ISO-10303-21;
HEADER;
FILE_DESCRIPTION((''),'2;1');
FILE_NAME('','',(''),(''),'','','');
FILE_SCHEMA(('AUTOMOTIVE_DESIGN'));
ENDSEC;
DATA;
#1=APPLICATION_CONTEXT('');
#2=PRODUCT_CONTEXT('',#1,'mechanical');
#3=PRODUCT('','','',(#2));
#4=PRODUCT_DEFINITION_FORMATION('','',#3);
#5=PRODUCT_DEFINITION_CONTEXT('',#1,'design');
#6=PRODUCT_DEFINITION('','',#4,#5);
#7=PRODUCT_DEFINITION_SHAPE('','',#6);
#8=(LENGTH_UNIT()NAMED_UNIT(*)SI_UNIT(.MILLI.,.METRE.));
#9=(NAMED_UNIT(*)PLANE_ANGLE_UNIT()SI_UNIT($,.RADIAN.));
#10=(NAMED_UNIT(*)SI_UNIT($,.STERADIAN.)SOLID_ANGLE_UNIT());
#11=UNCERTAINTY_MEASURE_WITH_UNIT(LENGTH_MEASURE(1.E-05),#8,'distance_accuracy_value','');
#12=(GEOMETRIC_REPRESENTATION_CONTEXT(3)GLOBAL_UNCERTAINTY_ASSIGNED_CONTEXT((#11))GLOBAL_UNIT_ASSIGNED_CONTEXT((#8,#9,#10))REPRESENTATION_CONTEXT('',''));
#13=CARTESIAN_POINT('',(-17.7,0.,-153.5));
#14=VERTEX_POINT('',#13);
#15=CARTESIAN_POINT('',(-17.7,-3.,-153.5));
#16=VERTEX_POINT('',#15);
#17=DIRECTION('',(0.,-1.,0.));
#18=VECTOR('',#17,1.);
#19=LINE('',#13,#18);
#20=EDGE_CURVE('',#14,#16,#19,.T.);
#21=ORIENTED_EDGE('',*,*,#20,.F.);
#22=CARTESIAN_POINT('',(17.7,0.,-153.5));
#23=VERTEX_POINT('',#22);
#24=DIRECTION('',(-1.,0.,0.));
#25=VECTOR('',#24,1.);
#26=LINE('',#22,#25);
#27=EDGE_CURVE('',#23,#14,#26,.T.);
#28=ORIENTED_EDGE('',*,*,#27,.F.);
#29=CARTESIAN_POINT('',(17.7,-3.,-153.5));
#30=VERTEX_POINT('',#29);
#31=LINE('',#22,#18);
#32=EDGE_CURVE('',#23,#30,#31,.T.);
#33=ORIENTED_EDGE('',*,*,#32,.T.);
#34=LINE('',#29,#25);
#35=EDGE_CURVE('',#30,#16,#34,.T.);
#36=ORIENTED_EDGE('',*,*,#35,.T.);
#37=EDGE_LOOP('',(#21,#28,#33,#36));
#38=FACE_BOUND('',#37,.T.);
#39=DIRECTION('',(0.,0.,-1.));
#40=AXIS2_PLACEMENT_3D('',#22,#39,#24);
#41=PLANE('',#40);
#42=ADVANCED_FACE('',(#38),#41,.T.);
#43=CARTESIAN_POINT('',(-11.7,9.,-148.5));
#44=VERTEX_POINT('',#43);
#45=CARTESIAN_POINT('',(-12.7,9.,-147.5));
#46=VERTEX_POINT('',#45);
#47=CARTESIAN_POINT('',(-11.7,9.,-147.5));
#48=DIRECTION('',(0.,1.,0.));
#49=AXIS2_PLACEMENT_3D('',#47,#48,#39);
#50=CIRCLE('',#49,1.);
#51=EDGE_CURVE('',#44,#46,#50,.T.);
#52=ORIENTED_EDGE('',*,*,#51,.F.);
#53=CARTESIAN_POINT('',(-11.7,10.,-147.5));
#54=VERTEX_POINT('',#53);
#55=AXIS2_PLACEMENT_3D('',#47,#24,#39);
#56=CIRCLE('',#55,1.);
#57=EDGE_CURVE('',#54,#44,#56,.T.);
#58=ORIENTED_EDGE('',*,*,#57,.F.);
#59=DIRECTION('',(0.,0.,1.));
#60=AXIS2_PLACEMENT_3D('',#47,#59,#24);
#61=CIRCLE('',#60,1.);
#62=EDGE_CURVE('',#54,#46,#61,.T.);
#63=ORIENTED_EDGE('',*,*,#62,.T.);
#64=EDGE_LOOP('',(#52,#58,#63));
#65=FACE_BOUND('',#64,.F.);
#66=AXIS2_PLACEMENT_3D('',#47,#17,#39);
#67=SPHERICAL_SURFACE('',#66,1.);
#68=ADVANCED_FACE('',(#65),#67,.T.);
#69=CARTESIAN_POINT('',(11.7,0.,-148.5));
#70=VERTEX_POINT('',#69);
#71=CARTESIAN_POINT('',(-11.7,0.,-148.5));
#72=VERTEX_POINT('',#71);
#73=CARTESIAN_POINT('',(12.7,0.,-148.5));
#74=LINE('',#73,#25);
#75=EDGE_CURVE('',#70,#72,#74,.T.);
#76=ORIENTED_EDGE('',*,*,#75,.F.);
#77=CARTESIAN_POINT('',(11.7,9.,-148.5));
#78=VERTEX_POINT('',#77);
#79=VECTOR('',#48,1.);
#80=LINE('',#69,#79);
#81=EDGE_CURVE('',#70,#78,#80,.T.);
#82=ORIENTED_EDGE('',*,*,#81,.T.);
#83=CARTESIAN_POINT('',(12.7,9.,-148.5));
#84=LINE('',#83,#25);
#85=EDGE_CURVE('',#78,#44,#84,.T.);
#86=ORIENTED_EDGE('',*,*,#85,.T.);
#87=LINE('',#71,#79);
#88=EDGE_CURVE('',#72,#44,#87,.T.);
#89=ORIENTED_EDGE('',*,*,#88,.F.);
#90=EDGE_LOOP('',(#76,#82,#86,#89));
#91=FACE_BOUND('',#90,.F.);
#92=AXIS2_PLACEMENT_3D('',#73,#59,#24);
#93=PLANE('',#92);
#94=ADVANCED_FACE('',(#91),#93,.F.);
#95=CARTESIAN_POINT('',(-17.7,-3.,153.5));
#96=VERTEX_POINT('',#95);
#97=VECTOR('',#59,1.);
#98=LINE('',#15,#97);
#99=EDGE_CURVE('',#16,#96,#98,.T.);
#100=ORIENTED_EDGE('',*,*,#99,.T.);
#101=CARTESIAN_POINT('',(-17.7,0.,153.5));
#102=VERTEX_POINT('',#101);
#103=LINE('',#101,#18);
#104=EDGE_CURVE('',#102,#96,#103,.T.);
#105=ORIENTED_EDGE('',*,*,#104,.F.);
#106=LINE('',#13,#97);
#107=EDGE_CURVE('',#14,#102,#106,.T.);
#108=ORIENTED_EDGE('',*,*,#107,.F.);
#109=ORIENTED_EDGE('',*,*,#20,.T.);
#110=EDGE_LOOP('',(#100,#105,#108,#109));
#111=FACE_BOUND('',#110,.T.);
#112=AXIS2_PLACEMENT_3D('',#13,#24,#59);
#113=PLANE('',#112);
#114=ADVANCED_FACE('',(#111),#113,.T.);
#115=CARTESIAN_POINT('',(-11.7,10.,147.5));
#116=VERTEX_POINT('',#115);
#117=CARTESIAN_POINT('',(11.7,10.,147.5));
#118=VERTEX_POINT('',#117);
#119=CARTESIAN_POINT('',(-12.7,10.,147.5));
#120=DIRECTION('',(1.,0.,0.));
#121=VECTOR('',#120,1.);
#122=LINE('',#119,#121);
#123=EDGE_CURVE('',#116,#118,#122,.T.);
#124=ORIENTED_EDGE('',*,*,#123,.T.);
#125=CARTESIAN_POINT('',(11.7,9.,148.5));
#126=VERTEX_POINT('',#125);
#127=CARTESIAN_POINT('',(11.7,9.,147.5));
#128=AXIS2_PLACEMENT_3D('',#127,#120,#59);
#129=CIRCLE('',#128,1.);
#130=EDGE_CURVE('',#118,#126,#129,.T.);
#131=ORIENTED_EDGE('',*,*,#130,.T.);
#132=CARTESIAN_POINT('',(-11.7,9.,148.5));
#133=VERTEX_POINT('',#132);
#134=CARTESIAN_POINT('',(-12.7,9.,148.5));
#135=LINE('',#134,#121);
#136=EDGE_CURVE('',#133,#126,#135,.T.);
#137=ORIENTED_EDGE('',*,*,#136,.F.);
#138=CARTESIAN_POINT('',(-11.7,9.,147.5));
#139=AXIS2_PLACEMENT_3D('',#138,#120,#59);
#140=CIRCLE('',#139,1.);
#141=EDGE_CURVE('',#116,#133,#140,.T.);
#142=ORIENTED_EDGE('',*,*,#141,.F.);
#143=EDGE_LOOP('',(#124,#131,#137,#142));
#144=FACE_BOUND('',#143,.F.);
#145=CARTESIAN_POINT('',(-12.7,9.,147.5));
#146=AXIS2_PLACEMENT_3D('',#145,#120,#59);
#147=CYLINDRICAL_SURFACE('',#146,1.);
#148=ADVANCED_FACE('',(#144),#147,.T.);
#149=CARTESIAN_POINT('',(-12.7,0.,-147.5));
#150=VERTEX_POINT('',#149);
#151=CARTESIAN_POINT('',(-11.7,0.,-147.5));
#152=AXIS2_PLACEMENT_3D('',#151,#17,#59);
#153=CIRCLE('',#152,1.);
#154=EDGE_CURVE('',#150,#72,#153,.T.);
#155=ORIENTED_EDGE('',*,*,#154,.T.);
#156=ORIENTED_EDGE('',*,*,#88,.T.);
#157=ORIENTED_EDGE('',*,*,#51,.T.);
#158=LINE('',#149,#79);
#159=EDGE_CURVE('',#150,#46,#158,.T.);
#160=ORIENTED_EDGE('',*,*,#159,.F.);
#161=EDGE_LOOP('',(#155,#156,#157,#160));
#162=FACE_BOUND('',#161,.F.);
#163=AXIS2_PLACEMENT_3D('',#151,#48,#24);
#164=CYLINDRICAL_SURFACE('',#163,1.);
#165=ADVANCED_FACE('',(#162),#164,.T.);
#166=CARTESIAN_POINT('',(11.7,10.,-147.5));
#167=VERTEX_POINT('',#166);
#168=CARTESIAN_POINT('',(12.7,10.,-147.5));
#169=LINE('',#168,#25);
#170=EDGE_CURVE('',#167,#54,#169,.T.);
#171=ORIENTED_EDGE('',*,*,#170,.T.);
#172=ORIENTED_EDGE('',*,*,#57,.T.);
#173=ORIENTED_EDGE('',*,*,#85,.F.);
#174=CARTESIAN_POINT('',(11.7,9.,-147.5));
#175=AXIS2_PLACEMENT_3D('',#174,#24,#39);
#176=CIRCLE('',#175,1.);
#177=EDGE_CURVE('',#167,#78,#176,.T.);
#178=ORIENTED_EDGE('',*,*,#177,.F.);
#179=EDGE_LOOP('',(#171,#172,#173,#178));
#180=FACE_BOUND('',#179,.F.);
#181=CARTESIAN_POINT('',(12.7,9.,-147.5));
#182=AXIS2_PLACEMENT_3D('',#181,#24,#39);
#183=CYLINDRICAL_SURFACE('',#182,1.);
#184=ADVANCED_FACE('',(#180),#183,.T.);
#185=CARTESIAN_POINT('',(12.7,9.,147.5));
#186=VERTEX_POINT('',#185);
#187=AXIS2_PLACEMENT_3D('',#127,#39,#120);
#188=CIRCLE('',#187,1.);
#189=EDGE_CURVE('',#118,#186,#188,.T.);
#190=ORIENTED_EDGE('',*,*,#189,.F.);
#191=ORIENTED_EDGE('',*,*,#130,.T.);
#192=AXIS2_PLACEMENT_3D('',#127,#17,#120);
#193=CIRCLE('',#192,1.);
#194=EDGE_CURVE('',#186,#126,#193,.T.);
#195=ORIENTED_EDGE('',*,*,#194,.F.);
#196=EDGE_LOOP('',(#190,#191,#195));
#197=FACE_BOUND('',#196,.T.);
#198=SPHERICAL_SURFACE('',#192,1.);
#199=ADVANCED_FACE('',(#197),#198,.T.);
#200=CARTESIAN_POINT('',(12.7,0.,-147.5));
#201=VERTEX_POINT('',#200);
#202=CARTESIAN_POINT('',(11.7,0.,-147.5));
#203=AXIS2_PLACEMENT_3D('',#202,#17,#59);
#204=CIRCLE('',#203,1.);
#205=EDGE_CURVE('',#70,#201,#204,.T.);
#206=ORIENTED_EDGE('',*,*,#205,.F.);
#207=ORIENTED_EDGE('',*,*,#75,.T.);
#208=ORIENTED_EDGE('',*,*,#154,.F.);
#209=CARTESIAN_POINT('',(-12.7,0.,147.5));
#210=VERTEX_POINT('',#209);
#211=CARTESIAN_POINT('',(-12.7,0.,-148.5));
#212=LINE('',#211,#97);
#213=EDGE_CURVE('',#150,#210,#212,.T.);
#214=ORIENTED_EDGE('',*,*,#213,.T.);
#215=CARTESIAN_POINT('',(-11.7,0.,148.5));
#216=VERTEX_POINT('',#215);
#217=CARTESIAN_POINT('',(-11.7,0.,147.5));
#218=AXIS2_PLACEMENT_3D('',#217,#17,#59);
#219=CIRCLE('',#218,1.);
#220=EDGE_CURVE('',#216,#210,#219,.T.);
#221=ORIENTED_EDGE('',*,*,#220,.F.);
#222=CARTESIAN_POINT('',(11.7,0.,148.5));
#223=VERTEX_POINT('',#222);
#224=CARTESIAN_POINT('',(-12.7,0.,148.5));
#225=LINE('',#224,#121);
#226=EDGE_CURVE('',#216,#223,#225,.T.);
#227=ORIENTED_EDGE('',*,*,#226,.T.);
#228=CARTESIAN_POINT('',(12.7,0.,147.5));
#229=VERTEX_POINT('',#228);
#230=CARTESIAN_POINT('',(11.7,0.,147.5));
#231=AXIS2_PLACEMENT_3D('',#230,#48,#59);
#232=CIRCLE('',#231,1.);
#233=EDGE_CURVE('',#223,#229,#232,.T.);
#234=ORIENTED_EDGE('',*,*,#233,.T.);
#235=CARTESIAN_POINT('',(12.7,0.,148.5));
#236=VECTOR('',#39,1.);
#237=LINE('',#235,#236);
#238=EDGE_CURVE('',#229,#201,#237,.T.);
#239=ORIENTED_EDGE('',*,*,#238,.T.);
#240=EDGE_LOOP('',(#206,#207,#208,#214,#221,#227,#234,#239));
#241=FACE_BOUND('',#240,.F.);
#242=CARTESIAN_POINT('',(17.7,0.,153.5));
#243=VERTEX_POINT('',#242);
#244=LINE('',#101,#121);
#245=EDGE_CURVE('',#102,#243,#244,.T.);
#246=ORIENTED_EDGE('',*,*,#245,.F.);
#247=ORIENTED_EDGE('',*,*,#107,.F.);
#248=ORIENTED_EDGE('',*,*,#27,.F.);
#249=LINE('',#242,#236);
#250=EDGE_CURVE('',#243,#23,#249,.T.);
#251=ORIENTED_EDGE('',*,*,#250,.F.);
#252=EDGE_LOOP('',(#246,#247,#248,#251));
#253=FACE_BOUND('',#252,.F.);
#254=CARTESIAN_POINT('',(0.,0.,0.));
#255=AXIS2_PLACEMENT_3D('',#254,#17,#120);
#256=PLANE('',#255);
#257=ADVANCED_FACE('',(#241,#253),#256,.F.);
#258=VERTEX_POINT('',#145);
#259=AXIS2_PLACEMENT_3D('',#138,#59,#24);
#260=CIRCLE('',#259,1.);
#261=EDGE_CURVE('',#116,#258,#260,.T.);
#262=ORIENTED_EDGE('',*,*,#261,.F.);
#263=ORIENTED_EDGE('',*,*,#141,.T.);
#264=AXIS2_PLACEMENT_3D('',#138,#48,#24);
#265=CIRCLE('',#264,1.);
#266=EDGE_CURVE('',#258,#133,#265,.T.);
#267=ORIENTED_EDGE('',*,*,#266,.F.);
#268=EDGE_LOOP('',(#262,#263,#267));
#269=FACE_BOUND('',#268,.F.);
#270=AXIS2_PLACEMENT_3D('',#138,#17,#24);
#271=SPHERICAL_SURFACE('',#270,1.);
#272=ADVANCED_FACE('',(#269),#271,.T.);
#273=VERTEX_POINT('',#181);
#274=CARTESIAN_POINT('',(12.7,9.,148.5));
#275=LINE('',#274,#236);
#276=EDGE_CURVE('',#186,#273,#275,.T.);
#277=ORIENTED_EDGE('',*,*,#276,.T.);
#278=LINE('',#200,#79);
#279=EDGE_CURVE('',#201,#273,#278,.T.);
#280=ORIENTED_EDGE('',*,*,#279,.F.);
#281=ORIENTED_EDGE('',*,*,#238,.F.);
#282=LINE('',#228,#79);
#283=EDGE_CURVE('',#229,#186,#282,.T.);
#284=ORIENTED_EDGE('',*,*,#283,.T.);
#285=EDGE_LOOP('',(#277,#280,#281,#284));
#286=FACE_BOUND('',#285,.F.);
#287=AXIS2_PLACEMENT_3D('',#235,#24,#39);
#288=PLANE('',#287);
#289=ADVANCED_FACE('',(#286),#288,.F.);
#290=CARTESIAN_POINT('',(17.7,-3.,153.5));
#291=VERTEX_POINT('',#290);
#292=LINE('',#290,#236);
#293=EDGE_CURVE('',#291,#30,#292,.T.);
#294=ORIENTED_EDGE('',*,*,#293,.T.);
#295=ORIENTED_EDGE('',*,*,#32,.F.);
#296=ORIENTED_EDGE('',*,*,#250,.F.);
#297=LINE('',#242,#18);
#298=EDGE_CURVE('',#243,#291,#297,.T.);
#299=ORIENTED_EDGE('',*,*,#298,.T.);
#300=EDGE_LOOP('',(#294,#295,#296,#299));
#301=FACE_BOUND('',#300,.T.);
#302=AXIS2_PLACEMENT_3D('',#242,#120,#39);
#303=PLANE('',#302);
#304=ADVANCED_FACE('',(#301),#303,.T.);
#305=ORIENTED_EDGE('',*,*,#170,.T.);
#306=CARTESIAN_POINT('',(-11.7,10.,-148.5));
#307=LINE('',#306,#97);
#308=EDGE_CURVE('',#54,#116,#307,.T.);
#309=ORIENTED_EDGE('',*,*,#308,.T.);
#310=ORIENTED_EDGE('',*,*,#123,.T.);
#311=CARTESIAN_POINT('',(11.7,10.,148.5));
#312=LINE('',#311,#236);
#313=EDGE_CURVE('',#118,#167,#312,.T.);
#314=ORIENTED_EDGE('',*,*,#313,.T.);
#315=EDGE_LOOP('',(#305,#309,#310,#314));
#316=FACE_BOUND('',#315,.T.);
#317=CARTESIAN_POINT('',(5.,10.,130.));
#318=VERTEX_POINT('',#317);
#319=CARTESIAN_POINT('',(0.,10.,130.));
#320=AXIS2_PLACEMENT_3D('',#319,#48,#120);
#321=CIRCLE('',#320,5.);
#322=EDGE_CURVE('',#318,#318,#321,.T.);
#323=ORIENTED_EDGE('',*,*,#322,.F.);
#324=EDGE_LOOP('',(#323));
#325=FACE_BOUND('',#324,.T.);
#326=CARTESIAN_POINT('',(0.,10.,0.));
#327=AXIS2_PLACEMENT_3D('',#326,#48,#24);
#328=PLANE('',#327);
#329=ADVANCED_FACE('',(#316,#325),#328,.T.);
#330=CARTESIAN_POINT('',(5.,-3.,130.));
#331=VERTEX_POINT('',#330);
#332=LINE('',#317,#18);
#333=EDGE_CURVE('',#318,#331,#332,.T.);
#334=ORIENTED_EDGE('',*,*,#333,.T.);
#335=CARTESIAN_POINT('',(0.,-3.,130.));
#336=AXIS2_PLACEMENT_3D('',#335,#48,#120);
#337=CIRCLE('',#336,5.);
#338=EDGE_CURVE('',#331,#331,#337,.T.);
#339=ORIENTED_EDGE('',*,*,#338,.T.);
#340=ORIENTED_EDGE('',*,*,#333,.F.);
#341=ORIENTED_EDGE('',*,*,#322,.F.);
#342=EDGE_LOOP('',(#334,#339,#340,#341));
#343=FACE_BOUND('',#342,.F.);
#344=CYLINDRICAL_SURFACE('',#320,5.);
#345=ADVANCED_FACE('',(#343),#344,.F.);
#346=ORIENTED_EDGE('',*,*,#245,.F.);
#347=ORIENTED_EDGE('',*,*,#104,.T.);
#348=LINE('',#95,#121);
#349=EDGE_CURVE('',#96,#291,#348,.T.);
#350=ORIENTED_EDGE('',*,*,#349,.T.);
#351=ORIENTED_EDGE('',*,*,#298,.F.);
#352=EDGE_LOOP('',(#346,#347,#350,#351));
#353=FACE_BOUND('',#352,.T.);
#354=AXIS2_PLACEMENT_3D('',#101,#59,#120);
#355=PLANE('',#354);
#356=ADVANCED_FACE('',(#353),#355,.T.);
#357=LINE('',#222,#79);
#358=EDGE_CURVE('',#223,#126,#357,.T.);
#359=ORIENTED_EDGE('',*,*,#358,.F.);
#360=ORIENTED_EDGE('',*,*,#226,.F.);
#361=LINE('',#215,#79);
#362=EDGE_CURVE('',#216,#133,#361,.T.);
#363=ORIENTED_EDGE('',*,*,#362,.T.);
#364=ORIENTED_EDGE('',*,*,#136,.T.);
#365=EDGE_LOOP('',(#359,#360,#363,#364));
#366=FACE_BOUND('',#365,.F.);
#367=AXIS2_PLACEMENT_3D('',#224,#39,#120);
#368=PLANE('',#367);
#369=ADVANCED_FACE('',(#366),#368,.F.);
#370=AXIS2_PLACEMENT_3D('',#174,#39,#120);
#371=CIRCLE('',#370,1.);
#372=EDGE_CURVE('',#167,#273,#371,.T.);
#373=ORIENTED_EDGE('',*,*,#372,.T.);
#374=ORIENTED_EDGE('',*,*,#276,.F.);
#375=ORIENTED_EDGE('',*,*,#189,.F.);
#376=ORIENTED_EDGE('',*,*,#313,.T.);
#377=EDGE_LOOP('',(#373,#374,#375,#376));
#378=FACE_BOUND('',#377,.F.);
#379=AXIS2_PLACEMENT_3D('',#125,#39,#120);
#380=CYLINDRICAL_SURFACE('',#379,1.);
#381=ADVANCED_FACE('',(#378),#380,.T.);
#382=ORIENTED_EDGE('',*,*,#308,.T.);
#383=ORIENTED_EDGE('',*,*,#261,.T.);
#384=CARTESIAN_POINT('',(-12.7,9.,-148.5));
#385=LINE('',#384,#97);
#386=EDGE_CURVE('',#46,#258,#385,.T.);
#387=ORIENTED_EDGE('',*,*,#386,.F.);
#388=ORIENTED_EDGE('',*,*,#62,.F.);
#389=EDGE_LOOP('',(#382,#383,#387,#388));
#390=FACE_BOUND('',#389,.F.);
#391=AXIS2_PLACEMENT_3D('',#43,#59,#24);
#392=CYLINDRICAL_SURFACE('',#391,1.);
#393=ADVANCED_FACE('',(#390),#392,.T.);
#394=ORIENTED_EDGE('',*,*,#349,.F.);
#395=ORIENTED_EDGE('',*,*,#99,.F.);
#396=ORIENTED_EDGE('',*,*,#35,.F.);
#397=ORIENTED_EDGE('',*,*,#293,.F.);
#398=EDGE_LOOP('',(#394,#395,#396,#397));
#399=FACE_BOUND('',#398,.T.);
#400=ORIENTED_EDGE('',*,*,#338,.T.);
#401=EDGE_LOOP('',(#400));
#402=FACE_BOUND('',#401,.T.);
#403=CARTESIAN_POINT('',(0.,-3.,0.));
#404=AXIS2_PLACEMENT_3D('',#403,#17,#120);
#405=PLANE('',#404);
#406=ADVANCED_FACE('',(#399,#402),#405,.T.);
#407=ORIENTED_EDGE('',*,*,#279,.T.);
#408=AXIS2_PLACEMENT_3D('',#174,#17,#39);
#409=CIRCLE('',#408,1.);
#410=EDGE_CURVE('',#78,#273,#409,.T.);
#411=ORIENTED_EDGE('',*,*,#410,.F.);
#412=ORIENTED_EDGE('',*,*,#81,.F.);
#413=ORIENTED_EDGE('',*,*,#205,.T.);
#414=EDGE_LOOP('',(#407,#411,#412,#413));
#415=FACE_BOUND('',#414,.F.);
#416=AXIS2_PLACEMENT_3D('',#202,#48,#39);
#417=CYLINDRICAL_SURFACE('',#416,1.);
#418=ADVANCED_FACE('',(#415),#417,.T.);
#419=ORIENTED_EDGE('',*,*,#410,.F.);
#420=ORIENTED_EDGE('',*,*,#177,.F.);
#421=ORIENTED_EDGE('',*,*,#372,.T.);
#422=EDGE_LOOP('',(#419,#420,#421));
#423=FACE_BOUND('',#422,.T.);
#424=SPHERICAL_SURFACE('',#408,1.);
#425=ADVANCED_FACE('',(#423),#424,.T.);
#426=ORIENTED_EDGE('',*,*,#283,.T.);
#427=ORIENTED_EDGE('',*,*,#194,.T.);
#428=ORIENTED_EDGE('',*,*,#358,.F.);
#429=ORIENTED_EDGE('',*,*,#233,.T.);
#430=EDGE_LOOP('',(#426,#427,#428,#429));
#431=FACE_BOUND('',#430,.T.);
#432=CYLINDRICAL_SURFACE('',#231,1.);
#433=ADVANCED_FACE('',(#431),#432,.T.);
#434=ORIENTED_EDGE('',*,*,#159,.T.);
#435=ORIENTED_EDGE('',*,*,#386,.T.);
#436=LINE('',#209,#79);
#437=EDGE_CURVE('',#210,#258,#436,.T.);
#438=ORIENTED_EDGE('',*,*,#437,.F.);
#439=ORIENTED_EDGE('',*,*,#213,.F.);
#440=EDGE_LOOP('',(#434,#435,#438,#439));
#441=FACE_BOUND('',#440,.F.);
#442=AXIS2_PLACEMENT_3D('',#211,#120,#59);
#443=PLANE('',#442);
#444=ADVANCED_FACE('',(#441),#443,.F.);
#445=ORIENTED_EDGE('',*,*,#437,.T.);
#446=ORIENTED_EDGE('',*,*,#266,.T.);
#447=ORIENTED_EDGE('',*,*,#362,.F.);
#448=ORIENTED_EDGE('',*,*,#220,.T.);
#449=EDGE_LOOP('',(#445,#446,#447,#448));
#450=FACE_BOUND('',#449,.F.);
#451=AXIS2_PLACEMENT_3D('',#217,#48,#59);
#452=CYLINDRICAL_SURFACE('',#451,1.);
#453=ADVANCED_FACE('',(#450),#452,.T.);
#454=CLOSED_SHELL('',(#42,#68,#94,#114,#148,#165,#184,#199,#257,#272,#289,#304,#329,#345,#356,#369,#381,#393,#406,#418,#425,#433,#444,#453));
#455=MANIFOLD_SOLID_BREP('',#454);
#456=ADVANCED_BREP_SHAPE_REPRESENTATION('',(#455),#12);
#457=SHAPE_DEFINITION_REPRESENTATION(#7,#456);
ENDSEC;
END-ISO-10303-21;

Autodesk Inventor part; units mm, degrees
ref_plane "YZ Plane" through (0, 0, 0) normal (1, 0, 0) x (0, 1, 0)
ref_plane "XZ Plane" through (0, 0, 0) normal (0, 1, 0) x (-1, 0, 0)
ref_plane "XY Plane" through (0, 0, 0) normal (0, 0, 1) x (1, 0, 0)
sketch "Sketch1" plane through (0, 0, 0) normal (0, 1, 0) x (-1, 0, 0)
  line L0 (-12.7, -148.5) -> (12.7, -148.5)
  line L1 (12.7, -148.5) -> (12.7, 148.5)
  line L2 (12.7, 148.5) -> (-12.7, 148.5)
  line L3 (-12.7, 148.5) -> (-12.7, -148.5)
  line L4 (-12.7, -148.5) -> (12.7, 148.5) construction
  line L5 (12.7, -148.5) -> (-12.7, 148.5) construction
  point P0 (0, 0)
  dimension "d0" = 25.4
  dimension "d1" = 297
extrude "Extrusion1" add sketch "Sketch1" along normal blind 10
sketch "Sketch2" plane through (0, 0, 0) normal (0, -1, 0) x (1, 0, 0)
  line L0 (12.7, -148.5) -> (-12.7, -148.5) projected
  line L1 (12.7, 148.5) -> (12.7, -148.5) projected
  line L2 (-12.7, 148.5) -> (12.7, 148.5) projected
  line L3 (-12.7, -148.5) -> (-12.7, 148.5) projected
  line L4 (17.7, -153.5) -> (-17.7, -153.5)
  line L5 (-17.7, -153.5) -> (-17.7, 153.5)
  line L6 (-17.7, 153.5) -> (17.7, 153.5)
  line L7 (17.7, 153.5) -> (17.7, -153.5)
  point P0 (0, 0)
  dimension "d4" = 5
extrude "Extrusion2" add sketch "Sketch2" along normal blind 3 contours L0 L3 L2 L1 | L4 L5 L6 L7
sketch "Sketch3" plane through (0, 10, 0) normal (0, 1, 0) x (1, 0, 0)
  line L0 (12.7, 148.5) -> (-12.7, 148.5) projected
  line L1 (-12.7, 148.5) -> (-12.7, -148.5) projected
  line L2 (-12.7, -148.5) -> (12.7, -148.5) projected
  line L3 (12.7, -148.5) -> (12.7, 148.5) projected
  circle A0 centre (0, -130) radius 5
  point P0 (0, 0)
  dimension "d7" = 10
  dimension "d8" = 130
extrude "Extrusion3" cut sketch "Sketch3" against normal through all contours A0
fillet "Fillet1" radius 1 8 edges at (12.7, 5, 148.5) (-12.7, 5, 148.5) (12.7, 5, -148.5) (-12.7, 5, -148.5) (0, 10, -148.5) (-12.7, 10, 0) (12.7, 10, 0) (0, 10, 148.5)
properties part number "enclosureTop"
